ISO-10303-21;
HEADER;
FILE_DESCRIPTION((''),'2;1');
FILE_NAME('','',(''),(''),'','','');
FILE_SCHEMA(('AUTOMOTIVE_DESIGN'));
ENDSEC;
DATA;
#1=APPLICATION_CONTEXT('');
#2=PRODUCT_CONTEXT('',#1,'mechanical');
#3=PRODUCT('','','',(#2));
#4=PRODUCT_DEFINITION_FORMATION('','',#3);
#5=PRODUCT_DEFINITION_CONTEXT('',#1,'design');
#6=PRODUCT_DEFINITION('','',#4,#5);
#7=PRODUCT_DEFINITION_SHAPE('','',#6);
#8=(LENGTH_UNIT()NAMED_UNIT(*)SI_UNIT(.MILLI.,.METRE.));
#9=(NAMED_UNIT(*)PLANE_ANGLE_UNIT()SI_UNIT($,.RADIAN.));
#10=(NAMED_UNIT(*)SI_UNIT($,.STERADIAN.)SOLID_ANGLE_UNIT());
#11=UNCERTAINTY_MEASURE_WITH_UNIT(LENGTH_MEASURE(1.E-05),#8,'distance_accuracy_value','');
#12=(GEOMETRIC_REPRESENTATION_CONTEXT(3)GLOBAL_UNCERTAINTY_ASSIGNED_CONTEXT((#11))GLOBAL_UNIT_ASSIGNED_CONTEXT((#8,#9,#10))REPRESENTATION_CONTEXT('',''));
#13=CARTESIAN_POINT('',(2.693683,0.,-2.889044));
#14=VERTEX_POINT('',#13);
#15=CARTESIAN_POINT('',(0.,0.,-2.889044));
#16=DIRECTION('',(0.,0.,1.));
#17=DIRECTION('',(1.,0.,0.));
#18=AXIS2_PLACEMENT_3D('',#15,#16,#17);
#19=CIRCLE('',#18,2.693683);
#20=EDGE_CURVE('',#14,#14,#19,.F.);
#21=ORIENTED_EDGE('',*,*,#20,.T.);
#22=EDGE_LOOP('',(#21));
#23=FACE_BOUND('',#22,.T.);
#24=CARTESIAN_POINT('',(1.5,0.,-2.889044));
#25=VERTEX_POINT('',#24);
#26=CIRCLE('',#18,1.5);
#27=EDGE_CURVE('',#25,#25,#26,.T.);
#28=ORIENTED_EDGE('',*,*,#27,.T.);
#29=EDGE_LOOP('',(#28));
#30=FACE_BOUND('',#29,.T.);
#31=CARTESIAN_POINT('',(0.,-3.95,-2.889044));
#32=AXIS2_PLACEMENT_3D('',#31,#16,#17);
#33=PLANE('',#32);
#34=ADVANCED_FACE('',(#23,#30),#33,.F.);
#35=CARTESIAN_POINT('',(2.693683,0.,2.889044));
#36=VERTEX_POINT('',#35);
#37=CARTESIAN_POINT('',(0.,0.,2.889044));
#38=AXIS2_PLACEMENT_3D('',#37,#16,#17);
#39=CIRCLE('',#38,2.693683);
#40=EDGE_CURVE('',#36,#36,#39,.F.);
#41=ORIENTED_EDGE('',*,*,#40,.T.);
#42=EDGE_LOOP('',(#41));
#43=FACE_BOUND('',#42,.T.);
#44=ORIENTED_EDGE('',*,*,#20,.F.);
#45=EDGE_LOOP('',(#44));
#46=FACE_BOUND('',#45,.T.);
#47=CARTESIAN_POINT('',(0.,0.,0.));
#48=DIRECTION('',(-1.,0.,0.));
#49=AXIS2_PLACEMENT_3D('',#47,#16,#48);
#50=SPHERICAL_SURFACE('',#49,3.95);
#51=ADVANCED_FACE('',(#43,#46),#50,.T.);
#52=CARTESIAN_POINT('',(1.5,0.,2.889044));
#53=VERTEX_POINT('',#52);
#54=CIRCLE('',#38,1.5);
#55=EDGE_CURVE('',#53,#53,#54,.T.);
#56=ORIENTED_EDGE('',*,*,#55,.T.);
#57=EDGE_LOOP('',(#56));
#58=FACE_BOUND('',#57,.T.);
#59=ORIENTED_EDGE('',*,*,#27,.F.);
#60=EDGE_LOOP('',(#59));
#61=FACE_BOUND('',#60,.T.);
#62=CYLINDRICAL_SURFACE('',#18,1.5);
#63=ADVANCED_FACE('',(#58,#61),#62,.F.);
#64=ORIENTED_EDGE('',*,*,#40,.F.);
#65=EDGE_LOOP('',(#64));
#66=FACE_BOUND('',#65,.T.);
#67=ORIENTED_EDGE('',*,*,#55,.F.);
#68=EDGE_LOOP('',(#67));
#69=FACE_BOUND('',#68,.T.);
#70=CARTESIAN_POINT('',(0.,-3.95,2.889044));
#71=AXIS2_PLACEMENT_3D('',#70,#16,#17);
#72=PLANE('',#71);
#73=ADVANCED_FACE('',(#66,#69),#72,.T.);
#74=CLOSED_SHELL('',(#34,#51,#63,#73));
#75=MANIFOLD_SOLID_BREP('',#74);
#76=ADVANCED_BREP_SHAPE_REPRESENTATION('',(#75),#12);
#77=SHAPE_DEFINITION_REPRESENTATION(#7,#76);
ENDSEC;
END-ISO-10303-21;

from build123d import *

# Parameters (mm, degrees)
SKETCH2_W               = 7.9
SKETCH2_H               = 1.060956176
CUT_EXTRUDE1_DEPTH      = 4.95
CUT_EXTRUDE1_DEPTH_BACK = 4.95
SKETCH3_R               = 1.5
CUT_EXTRUDE2_DEPTH      = 6.778087647


with BuildPart() as part:
    # Sketch1 → Revolve4 (revolve)
    with BuildSketch(Plane(origin=(0, 0, 0), x_dir=(1, 0, 0), z_dir=(0, 1, 0))):
        with BuildLine():
            Line((0, -3.95), (0, 3.95))
            ThreePointArc((0, 3.95), (3.95, 0), (0, -3.95))
        make_face()
    revolve(axis=Axis((0, 0, 3.95), (0, 0, -1)))

    # Sketch2 → Cut-Extrude1 (cut, two sides)
    with BuildSketch(Plane(origin=(0, 0, 0), x_dir=(1, 0, 0), z_dir=(0, 1, 0))) as cut_extrude1_sk:
        with Locations((0, -3.419521912)):
            Rectangle(SKETCH2_W, SKETCH2_H)
        with Locations((0, 3.419521912)):
            Rectangle(SKETCH2_W, SKETCH2_H)
    extrude(amount=CUT_EXTRUDE1_DEPTH, mode=Mode.SUBTRACT)
    extrude(cut_extrude1_sk.sketch, amount=-CUT_EXTRUDE1_DEPTH_BACK, mode=Mode.SUBTRACT)

    # Sketch3 → Cut-Extrude2 (cut, through all)
    with BuildSketch(Plane.XY.offset(2.889043824)):
        Circle(SKETCH3_R)
    extrude(amount=-CUT_EXTRUDE2_DEPTH, mode=Mode.SUBTRACT)


solid = part.part
